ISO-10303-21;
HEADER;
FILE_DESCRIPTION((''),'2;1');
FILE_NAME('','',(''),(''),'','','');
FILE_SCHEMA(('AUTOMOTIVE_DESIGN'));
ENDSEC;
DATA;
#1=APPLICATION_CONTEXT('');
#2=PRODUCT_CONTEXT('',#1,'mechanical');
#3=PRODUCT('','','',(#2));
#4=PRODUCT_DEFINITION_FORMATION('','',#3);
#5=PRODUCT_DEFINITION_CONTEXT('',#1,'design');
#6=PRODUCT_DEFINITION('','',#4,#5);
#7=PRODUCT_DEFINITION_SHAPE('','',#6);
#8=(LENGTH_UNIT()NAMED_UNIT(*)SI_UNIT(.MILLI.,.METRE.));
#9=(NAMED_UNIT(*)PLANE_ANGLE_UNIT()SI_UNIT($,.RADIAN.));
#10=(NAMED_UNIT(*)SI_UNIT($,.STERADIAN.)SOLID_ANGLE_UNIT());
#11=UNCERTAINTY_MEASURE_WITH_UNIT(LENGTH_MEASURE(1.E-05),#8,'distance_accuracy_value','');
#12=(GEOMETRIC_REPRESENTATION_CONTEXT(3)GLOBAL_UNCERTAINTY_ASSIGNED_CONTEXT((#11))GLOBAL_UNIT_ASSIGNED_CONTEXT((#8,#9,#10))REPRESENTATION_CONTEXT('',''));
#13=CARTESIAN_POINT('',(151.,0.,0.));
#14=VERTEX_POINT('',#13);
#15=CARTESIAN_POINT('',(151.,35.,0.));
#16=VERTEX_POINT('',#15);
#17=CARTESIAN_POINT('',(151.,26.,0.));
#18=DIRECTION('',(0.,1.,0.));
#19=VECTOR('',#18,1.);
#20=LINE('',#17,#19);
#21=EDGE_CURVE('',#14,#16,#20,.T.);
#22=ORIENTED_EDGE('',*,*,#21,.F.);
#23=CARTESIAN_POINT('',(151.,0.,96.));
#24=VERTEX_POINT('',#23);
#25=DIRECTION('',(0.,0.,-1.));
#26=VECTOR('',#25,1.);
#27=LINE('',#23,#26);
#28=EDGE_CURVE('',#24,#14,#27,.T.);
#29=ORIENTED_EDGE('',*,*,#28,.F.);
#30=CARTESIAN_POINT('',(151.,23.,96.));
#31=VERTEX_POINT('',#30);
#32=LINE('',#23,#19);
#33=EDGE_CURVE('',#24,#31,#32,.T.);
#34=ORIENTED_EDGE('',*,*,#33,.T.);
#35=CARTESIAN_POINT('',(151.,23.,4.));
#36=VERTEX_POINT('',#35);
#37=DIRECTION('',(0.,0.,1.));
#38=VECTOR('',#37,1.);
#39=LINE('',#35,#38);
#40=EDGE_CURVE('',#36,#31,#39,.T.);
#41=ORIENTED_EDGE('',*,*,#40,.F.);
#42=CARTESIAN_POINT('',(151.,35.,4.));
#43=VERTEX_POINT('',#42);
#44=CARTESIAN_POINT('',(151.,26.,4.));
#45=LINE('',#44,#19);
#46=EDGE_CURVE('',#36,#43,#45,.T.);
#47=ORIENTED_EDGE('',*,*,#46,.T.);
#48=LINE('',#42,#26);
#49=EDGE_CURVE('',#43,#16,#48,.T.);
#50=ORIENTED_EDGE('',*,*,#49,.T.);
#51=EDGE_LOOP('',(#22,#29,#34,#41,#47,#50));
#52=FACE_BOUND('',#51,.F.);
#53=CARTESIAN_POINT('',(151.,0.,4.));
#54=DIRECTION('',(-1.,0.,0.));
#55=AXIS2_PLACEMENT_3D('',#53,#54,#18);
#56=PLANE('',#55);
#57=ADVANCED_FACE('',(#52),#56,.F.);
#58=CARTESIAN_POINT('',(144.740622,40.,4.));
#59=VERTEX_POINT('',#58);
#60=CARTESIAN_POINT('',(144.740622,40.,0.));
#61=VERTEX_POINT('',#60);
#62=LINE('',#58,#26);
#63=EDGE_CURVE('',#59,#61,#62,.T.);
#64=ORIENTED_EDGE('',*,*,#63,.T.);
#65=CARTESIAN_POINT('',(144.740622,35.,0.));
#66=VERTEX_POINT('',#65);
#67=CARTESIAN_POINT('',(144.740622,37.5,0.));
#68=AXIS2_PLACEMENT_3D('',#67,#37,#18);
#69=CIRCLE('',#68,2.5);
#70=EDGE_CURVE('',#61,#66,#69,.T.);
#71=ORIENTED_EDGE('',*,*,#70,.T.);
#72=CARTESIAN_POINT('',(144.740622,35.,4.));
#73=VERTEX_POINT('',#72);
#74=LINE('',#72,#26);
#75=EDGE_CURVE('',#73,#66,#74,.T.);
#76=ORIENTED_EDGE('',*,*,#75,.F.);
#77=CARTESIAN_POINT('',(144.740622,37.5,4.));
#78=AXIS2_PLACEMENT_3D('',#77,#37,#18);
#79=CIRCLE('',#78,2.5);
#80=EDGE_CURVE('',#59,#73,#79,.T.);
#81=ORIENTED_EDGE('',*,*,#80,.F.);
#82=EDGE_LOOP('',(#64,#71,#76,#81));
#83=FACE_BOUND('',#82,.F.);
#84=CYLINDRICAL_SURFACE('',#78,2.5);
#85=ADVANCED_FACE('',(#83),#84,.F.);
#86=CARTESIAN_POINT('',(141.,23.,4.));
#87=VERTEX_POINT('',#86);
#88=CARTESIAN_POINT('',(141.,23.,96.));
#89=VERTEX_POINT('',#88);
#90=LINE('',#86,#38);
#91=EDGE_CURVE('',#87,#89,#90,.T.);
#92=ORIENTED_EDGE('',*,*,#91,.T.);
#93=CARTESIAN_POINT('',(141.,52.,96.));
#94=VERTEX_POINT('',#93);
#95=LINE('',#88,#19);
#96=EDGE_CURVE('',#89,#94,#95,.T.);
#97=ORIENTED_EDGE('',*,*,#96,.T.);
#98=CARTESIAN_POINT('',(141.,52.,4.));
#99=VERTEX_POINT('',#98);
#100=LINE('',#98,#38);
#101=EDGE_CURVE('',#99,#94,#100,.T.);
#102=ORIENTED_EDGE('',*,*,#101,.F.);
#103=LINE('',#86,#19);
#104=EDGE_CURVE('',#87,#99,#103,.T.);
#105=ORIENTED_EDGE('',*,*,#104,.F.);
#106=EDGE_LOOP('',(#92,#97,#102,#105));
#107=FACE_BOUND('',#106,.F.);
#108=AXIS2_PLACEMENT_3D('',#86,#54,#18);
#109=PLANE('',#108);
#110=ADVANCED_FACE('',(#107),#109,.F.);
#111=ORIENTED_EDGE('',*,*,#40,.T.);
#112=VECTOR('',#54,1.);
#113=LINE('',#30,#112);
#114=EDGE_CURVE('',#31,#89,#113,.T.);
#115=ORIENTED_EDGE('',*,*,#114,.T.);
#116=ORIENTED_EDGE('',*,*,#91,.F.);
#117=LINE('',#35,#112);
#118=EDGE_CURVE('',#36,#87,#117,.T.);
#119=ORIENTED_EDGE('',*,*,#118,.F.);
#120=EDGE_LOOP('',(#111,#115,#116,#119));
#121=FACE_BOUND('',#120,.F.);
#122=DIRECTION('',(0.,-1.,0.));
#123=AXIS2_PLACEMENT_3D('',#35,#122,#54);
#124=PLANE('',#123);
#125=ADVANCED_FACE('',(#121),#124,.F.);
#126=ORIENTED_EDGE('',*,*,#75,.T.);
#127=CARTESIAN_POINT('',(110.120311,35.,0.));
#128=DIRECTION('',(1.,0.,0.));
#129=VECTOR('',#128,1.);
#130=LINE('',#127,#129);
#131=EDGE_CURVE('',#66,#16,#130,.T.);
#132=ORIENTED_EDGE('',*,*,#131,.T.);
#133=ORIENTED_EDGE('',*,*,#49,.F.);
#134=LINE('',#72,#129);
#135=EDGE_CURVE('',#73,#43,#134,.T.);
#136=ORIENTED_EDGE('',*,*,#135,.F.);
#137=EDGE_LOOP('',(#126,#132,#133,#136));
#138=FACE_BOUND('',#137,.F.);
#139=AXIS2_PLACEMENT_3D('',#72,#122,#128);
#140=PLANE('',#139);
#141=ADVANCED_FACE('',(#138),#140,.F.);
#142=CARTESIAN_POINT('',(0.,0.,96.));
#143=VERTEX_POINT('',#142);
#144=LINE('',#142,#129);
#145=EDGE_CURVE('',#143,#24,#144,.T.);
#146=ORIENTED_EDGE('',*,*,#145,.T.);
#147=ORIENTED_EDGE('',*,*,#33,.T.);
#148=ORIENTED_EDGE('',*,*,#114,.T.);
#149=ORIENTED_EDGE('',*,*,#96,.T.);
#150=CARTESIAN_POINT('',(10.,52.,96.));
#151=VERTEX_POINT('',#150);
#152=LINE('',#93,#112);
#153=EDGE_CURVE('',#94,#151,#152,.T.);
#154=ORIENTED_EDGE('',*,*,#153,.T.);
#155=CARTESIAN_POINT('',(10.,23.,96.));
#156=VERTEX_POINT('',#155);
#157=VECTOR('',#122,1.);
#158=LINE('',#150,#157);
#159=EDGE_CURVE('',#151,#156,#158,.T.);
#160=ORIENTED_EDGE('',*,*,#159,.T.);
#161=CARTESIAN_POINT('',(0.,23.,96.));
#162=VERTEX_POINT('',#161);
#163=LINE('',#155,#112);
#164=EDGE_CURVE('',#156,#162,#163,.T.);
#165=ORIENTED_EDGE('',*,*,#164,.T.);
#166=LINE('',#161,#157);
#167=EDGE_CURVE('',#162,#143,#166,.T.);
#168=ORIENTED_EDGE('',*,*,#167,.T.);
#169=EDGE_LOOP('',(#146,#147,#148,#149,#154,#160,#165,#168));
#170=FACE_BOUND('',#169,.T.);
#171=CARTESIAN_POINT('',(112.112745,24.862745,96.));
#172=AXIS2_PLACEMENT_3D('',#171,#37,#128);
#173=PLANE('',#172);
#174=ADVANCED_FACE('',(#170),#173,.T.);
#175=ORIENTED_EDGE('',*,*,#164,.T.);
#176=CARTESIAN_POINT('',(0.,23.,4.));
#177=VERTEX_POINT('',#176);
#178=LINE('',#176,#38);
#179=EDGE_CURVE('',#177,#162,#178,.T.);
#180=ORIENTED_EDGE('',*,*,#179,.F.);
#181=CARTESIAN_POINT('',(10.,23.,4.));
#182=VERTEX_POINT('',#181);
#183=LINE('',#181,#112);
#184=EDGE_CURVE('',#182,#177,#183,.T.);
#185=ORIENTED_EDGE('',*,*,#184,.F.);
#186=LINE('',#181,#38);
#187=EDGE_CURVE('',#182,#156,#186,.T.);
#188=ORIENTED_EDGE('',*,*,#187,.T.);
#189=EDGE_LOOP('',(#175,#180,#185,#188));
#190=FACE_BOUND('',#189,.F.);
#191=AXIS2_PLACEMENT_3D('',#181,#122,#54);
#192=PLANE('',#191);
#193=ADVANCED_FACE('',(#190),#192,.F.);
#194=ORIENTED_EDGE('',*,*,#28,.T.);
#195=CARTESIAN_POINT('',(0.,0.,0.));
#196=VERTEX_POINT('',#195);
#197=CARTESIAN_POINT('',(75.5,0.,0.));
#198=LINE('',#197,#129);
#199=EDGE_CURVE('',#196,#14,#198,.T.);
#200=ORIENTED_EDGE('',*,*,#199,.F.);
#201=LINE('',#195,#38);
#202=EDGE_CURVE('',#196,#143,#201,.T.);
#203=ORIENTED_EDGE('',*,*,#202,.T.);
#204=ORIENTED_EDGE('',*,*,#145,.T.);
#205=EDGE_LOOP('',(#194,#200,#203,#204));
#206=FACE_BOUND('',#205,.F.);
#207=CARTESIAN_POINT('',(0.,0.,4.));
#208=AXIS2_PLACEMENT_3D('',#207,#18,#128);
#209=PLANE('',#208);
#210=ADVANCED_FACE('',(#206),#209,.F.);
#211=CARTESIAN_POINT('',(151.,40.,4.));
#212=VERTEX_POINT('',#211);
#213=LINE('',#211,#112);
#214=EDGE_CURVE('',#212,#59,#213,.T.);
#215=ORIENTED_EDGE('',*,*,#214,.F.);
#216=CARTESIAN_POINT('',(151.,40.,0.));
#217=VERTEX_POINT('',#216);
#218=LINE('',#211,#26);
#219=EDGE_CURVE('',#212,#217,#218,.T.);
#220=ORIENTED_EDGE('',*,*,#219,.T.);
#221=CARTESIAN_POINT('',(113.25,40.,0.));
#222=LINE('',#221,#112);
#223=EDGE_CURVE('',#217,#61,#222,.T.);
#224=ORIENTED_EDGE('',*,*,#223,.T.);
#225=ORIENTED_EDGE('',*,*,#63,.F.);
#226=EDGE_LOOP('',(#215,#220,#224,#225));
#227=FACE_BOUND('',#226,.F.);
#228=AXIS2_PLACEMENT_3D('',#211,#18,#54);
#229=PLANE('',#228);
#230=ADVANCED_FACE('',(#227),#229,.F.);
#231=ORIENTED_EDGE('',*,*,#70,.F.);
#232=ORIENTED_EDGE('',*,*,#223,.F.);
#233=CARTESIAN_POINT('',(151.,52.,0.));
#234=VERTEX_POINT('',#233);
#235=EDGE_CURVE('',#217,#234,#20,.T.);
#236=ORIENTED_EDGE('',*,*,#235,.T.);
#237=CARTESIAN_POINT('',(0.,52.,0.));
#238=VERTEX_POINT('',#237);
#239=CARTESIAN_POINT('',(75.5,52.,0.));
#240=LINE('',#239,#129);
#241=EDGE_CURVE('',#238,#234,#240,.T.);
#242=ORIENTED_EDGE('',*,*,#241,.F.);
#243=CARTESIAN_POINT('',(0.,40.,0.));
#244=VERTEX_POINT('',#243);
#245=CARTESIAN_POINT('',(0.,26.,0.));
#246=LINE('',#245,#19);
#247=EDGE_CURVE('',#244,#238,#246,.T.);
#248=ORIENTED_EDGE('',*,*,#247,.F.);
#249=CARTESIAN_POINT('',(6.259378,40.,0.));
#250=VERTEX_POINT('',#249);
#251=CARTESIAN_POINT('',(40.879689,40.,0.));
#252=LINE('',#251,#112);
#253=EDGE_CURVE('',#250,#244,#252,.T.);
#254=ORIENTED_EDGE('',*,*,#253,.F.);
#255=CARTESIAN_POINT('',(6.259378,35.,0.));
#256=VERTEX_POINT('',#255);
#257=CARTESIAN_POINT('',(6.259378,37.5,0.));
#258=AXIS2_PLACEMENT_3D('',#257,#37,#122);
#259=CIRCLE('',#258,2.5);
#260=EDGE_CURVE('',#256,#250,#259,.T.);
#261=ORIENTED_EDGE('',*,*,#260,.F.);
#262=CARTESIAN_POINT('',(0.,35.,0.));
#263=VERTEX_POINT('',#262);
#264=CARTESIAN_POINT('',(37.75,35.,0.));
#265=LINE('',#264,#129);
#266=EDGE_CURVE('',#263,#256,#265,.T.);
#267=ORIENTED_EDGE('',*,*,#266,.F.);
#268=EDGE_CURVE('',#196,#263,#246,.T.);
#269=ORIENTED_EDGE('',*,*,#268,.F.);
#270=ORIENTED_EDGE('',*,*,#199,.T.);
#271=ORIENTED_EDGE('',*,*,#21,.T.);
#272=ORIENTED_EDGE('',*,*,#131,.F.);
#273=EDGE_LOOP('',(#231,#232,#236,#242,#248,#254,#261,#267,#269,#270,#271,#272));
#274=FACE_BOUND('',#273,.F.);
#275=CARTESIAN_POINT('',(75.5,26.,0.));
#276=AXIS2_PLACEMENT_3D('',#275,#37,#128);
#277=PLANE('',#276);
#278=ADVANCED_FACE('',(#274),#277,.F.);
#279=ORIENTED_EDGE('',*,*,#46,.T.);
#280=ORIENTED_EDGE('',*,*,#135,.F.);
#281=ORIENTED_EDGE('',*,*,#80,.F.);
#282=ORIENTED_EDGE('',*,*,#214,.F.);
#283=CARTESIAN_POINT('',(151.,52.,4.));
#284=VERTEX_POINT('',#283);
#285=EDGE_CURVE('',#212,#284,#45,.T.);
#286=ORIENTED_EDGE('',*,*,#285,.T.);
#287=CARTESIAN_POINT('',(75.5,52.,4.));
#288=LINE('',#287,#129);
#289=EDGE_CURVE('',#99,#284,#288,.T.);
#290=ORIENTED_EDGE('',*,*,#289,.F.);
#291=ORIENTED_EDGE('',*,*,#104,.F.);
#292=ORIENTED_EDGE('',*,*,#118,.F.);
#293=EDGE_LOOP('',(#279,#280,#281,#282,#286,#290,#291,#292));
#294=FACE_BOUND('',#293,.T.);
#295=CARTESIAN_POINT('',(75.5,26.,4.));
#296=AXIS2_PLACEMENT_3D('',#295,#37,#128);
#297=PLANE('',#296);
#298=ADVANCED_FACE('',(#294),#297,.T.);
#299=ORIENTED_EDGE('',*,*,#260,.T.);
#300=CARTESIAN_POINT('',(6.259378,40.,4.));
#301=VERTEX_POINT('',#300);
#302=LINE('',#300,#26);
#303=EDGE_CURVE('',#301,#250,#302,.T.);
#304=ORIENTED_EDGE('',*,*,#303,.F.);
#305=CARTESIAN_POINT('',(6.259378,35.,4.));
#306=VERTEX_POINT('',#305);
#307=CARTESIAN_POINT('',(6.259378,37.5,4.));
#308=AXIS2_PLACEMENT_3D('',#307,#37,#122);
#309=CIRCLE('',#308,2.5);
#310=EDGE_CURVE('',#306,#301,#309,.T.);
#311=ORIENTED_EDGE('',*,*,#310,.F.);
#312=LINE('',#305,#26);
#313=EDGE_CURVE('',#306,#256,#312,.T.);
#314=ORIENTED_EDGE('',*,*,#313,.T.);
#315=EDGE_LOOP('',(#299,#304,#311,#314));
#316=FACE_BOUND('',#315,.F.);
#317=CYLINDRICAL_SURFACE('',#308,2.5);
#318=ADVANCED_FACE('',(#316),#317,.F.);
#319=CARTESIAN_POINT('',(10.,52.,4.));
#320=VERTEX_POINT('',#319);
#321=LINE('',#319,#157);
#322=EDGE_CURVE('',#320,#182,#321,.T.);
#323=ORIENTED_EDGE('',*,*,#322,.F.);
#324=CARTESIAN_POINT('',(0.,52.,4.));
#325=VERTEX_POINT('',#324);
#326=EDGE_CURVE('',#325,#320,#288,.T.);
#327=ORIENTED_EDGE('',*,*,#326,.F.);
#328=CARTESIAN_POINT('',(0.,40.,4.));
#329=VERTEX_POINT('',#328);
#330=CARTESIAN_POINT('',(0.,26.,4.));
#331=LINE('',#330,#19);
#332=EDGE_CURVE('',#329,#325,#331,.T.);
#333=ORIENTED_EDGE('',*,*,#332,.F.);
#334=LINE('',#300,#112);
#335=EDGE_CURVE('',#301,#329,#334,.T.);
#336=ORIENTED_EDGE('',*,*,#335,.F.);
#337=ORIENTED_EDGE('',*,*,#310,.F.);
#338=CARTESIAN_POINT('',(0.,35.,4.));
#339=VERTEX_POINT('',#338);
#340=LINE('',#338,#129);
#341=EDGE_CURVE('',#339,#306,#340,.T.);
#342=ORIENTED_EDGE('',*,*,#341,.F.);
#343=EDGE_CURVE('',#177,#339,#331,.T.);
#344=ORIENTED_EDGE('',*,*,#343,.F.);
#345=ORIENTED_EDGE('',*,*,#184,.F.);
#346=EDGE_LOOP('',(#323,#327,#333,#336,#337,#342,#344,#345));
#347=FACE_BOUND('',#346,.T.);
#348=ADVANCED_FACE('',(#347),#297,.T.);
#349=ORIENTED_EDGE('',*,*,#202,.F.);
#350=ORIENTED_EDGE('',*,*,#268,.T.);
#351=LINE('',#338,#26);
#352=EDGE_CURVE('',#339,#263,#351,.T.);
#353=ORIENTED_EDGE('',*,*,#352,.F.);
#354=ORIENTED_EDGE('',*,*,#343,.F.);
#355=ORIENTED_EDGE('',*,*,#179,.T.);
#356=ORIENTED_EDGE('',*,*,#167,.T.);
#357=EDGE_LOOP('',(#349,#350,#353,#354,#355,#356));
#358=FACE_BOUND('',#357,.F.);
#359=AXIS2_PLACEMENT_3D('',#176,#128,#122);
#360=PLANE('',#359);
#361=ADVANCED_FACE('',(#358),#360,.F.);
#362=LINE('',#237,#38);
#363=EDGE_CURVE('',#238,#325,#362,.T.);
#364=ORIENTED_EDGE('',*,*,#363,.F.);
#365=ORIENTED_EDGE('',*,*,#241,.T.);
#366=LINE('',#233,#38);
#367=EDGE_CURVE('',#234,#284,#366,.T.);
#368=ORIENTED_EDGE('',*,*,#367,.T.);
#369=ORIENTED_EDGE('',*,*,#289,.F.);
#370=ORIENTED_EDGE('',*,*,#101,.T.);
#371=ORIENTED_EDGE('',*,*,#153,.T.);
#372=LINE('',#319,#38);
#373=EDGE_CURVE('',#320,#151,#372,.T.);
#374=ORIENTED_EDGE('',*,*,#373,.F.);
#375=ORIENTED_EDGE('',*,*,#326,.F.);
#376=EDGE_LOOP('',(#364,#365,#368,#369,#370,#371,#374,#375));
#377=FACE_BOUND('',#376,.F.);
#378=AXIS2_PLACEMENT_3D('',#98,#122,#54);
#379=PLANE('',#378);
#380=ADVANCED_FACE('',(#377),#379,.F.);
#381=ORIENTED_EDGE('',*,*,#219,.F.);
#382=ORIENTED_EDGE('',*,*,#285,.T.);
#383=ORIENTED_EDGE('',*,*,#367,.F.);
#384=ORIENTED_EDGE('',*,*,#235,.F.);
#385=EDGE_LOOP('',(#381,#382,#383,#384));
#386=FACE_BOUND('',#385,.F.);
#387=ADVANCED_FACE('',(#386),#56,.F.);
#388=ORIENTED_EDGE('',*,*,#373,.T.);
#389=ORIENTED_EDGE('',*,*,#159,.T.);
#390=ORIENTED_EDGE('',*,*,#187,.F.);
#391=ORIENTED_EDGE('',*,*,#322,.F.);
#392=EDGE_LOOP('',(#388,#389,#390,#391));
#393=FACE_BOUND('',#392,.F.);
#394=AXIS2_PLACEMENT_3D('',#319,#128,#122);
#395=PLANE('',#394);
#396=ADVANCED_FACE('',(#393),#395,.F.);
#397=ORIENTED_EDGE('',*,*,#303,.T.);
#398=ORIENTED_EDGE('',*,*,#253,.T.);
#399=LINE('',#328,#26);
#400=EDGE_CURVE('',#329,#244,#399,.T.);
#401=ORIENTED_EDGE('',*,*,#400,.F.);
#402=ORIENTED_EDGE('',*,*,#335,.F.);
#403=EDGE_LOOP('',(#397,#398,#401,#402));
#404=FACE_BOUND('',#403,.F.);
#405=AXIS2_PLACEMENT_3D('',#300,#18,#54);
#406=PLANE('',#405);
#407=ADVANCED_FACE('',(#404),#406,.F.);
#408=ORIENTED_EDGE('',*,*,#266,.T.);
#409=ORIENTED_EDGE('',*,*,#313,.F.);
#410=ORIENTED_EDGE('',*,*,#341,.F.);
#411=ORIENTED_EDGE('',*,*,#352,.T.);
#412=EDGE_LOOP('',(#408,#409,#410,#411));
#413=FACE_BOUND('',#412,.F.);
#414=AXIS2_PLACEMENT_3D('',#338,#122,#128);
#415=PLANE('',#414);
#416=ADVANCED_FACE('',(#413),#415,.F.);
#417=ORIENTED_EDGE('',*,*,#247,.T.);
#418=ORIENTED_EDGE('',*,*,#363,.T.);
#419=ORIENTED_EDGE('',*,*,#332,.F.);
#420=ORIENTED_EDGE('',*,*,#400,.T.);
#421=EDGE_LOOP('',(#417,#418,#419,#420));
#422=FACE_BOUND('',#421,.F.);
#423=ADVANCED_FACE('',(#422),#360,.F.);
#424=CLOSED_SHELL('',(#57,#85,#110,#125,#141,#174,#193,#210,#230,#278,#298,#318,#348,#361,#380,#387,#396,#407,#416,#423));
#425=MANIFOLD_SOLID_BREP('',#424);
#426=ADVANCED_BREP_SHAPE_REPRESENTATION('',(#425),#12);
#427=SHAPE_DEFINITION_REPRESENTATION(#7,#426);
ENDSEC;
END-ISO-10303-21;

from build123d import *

# Parameters (mm, degrees)
F0_W     = 151
F0_H     = 52
F1_DEPTH = 4
F3_DEPTH = 92
F4_DEPTH = 25


with BuildPart() as f1:
    # F0 (on Top) → F1 (new body)
    with BuildSketch(Plane.XY):
        with Locations((75.5, 26)):
            Rectangle(F0_W, F0_H)
    extrude(amount=F1_DEPTH)

    # F2 (on face) → F3 (join)
    with BuildSketch(Plane.XY.offset(4)):
        Polygon((141, 23), (141, 52), (75.5, 52), (75.5, 0), (151, 0), (151, 23), align=None)
        Polygon((75.5, 0), (75.5, 52), (10, 52), (10, 23), (0, 23), (0, 0), align=None)
    extrude(amount=F3_DEPTH)

    # F2 (on face) → F4 (cut)
    with BuildSketch(Plane.XY.offset(4)):
        with BuildLine():
            Line((6.259378, 40), (0, 40))
            Line((0, 40), (0, 35))
            Line((0, 35), (6.259378, 35))
            ThreePointArc((6.259378, 35), (8.759378, 37.5), (6.259378, 40))
        make_face()
        with BuildLine():
            Line((151, 35), (151, 40))
            Line((151, 40), (144.740622, 40))
            ThreePointArc((144.740622, 40), (142.240622, 37.5), (144.740622, 35))
            Line((144.740622, 35), (151, 35))
        make_face()
    extrude(amount=-F4_DEPTH, mode=Mode.SUBTRACT)


solid = f1.part
